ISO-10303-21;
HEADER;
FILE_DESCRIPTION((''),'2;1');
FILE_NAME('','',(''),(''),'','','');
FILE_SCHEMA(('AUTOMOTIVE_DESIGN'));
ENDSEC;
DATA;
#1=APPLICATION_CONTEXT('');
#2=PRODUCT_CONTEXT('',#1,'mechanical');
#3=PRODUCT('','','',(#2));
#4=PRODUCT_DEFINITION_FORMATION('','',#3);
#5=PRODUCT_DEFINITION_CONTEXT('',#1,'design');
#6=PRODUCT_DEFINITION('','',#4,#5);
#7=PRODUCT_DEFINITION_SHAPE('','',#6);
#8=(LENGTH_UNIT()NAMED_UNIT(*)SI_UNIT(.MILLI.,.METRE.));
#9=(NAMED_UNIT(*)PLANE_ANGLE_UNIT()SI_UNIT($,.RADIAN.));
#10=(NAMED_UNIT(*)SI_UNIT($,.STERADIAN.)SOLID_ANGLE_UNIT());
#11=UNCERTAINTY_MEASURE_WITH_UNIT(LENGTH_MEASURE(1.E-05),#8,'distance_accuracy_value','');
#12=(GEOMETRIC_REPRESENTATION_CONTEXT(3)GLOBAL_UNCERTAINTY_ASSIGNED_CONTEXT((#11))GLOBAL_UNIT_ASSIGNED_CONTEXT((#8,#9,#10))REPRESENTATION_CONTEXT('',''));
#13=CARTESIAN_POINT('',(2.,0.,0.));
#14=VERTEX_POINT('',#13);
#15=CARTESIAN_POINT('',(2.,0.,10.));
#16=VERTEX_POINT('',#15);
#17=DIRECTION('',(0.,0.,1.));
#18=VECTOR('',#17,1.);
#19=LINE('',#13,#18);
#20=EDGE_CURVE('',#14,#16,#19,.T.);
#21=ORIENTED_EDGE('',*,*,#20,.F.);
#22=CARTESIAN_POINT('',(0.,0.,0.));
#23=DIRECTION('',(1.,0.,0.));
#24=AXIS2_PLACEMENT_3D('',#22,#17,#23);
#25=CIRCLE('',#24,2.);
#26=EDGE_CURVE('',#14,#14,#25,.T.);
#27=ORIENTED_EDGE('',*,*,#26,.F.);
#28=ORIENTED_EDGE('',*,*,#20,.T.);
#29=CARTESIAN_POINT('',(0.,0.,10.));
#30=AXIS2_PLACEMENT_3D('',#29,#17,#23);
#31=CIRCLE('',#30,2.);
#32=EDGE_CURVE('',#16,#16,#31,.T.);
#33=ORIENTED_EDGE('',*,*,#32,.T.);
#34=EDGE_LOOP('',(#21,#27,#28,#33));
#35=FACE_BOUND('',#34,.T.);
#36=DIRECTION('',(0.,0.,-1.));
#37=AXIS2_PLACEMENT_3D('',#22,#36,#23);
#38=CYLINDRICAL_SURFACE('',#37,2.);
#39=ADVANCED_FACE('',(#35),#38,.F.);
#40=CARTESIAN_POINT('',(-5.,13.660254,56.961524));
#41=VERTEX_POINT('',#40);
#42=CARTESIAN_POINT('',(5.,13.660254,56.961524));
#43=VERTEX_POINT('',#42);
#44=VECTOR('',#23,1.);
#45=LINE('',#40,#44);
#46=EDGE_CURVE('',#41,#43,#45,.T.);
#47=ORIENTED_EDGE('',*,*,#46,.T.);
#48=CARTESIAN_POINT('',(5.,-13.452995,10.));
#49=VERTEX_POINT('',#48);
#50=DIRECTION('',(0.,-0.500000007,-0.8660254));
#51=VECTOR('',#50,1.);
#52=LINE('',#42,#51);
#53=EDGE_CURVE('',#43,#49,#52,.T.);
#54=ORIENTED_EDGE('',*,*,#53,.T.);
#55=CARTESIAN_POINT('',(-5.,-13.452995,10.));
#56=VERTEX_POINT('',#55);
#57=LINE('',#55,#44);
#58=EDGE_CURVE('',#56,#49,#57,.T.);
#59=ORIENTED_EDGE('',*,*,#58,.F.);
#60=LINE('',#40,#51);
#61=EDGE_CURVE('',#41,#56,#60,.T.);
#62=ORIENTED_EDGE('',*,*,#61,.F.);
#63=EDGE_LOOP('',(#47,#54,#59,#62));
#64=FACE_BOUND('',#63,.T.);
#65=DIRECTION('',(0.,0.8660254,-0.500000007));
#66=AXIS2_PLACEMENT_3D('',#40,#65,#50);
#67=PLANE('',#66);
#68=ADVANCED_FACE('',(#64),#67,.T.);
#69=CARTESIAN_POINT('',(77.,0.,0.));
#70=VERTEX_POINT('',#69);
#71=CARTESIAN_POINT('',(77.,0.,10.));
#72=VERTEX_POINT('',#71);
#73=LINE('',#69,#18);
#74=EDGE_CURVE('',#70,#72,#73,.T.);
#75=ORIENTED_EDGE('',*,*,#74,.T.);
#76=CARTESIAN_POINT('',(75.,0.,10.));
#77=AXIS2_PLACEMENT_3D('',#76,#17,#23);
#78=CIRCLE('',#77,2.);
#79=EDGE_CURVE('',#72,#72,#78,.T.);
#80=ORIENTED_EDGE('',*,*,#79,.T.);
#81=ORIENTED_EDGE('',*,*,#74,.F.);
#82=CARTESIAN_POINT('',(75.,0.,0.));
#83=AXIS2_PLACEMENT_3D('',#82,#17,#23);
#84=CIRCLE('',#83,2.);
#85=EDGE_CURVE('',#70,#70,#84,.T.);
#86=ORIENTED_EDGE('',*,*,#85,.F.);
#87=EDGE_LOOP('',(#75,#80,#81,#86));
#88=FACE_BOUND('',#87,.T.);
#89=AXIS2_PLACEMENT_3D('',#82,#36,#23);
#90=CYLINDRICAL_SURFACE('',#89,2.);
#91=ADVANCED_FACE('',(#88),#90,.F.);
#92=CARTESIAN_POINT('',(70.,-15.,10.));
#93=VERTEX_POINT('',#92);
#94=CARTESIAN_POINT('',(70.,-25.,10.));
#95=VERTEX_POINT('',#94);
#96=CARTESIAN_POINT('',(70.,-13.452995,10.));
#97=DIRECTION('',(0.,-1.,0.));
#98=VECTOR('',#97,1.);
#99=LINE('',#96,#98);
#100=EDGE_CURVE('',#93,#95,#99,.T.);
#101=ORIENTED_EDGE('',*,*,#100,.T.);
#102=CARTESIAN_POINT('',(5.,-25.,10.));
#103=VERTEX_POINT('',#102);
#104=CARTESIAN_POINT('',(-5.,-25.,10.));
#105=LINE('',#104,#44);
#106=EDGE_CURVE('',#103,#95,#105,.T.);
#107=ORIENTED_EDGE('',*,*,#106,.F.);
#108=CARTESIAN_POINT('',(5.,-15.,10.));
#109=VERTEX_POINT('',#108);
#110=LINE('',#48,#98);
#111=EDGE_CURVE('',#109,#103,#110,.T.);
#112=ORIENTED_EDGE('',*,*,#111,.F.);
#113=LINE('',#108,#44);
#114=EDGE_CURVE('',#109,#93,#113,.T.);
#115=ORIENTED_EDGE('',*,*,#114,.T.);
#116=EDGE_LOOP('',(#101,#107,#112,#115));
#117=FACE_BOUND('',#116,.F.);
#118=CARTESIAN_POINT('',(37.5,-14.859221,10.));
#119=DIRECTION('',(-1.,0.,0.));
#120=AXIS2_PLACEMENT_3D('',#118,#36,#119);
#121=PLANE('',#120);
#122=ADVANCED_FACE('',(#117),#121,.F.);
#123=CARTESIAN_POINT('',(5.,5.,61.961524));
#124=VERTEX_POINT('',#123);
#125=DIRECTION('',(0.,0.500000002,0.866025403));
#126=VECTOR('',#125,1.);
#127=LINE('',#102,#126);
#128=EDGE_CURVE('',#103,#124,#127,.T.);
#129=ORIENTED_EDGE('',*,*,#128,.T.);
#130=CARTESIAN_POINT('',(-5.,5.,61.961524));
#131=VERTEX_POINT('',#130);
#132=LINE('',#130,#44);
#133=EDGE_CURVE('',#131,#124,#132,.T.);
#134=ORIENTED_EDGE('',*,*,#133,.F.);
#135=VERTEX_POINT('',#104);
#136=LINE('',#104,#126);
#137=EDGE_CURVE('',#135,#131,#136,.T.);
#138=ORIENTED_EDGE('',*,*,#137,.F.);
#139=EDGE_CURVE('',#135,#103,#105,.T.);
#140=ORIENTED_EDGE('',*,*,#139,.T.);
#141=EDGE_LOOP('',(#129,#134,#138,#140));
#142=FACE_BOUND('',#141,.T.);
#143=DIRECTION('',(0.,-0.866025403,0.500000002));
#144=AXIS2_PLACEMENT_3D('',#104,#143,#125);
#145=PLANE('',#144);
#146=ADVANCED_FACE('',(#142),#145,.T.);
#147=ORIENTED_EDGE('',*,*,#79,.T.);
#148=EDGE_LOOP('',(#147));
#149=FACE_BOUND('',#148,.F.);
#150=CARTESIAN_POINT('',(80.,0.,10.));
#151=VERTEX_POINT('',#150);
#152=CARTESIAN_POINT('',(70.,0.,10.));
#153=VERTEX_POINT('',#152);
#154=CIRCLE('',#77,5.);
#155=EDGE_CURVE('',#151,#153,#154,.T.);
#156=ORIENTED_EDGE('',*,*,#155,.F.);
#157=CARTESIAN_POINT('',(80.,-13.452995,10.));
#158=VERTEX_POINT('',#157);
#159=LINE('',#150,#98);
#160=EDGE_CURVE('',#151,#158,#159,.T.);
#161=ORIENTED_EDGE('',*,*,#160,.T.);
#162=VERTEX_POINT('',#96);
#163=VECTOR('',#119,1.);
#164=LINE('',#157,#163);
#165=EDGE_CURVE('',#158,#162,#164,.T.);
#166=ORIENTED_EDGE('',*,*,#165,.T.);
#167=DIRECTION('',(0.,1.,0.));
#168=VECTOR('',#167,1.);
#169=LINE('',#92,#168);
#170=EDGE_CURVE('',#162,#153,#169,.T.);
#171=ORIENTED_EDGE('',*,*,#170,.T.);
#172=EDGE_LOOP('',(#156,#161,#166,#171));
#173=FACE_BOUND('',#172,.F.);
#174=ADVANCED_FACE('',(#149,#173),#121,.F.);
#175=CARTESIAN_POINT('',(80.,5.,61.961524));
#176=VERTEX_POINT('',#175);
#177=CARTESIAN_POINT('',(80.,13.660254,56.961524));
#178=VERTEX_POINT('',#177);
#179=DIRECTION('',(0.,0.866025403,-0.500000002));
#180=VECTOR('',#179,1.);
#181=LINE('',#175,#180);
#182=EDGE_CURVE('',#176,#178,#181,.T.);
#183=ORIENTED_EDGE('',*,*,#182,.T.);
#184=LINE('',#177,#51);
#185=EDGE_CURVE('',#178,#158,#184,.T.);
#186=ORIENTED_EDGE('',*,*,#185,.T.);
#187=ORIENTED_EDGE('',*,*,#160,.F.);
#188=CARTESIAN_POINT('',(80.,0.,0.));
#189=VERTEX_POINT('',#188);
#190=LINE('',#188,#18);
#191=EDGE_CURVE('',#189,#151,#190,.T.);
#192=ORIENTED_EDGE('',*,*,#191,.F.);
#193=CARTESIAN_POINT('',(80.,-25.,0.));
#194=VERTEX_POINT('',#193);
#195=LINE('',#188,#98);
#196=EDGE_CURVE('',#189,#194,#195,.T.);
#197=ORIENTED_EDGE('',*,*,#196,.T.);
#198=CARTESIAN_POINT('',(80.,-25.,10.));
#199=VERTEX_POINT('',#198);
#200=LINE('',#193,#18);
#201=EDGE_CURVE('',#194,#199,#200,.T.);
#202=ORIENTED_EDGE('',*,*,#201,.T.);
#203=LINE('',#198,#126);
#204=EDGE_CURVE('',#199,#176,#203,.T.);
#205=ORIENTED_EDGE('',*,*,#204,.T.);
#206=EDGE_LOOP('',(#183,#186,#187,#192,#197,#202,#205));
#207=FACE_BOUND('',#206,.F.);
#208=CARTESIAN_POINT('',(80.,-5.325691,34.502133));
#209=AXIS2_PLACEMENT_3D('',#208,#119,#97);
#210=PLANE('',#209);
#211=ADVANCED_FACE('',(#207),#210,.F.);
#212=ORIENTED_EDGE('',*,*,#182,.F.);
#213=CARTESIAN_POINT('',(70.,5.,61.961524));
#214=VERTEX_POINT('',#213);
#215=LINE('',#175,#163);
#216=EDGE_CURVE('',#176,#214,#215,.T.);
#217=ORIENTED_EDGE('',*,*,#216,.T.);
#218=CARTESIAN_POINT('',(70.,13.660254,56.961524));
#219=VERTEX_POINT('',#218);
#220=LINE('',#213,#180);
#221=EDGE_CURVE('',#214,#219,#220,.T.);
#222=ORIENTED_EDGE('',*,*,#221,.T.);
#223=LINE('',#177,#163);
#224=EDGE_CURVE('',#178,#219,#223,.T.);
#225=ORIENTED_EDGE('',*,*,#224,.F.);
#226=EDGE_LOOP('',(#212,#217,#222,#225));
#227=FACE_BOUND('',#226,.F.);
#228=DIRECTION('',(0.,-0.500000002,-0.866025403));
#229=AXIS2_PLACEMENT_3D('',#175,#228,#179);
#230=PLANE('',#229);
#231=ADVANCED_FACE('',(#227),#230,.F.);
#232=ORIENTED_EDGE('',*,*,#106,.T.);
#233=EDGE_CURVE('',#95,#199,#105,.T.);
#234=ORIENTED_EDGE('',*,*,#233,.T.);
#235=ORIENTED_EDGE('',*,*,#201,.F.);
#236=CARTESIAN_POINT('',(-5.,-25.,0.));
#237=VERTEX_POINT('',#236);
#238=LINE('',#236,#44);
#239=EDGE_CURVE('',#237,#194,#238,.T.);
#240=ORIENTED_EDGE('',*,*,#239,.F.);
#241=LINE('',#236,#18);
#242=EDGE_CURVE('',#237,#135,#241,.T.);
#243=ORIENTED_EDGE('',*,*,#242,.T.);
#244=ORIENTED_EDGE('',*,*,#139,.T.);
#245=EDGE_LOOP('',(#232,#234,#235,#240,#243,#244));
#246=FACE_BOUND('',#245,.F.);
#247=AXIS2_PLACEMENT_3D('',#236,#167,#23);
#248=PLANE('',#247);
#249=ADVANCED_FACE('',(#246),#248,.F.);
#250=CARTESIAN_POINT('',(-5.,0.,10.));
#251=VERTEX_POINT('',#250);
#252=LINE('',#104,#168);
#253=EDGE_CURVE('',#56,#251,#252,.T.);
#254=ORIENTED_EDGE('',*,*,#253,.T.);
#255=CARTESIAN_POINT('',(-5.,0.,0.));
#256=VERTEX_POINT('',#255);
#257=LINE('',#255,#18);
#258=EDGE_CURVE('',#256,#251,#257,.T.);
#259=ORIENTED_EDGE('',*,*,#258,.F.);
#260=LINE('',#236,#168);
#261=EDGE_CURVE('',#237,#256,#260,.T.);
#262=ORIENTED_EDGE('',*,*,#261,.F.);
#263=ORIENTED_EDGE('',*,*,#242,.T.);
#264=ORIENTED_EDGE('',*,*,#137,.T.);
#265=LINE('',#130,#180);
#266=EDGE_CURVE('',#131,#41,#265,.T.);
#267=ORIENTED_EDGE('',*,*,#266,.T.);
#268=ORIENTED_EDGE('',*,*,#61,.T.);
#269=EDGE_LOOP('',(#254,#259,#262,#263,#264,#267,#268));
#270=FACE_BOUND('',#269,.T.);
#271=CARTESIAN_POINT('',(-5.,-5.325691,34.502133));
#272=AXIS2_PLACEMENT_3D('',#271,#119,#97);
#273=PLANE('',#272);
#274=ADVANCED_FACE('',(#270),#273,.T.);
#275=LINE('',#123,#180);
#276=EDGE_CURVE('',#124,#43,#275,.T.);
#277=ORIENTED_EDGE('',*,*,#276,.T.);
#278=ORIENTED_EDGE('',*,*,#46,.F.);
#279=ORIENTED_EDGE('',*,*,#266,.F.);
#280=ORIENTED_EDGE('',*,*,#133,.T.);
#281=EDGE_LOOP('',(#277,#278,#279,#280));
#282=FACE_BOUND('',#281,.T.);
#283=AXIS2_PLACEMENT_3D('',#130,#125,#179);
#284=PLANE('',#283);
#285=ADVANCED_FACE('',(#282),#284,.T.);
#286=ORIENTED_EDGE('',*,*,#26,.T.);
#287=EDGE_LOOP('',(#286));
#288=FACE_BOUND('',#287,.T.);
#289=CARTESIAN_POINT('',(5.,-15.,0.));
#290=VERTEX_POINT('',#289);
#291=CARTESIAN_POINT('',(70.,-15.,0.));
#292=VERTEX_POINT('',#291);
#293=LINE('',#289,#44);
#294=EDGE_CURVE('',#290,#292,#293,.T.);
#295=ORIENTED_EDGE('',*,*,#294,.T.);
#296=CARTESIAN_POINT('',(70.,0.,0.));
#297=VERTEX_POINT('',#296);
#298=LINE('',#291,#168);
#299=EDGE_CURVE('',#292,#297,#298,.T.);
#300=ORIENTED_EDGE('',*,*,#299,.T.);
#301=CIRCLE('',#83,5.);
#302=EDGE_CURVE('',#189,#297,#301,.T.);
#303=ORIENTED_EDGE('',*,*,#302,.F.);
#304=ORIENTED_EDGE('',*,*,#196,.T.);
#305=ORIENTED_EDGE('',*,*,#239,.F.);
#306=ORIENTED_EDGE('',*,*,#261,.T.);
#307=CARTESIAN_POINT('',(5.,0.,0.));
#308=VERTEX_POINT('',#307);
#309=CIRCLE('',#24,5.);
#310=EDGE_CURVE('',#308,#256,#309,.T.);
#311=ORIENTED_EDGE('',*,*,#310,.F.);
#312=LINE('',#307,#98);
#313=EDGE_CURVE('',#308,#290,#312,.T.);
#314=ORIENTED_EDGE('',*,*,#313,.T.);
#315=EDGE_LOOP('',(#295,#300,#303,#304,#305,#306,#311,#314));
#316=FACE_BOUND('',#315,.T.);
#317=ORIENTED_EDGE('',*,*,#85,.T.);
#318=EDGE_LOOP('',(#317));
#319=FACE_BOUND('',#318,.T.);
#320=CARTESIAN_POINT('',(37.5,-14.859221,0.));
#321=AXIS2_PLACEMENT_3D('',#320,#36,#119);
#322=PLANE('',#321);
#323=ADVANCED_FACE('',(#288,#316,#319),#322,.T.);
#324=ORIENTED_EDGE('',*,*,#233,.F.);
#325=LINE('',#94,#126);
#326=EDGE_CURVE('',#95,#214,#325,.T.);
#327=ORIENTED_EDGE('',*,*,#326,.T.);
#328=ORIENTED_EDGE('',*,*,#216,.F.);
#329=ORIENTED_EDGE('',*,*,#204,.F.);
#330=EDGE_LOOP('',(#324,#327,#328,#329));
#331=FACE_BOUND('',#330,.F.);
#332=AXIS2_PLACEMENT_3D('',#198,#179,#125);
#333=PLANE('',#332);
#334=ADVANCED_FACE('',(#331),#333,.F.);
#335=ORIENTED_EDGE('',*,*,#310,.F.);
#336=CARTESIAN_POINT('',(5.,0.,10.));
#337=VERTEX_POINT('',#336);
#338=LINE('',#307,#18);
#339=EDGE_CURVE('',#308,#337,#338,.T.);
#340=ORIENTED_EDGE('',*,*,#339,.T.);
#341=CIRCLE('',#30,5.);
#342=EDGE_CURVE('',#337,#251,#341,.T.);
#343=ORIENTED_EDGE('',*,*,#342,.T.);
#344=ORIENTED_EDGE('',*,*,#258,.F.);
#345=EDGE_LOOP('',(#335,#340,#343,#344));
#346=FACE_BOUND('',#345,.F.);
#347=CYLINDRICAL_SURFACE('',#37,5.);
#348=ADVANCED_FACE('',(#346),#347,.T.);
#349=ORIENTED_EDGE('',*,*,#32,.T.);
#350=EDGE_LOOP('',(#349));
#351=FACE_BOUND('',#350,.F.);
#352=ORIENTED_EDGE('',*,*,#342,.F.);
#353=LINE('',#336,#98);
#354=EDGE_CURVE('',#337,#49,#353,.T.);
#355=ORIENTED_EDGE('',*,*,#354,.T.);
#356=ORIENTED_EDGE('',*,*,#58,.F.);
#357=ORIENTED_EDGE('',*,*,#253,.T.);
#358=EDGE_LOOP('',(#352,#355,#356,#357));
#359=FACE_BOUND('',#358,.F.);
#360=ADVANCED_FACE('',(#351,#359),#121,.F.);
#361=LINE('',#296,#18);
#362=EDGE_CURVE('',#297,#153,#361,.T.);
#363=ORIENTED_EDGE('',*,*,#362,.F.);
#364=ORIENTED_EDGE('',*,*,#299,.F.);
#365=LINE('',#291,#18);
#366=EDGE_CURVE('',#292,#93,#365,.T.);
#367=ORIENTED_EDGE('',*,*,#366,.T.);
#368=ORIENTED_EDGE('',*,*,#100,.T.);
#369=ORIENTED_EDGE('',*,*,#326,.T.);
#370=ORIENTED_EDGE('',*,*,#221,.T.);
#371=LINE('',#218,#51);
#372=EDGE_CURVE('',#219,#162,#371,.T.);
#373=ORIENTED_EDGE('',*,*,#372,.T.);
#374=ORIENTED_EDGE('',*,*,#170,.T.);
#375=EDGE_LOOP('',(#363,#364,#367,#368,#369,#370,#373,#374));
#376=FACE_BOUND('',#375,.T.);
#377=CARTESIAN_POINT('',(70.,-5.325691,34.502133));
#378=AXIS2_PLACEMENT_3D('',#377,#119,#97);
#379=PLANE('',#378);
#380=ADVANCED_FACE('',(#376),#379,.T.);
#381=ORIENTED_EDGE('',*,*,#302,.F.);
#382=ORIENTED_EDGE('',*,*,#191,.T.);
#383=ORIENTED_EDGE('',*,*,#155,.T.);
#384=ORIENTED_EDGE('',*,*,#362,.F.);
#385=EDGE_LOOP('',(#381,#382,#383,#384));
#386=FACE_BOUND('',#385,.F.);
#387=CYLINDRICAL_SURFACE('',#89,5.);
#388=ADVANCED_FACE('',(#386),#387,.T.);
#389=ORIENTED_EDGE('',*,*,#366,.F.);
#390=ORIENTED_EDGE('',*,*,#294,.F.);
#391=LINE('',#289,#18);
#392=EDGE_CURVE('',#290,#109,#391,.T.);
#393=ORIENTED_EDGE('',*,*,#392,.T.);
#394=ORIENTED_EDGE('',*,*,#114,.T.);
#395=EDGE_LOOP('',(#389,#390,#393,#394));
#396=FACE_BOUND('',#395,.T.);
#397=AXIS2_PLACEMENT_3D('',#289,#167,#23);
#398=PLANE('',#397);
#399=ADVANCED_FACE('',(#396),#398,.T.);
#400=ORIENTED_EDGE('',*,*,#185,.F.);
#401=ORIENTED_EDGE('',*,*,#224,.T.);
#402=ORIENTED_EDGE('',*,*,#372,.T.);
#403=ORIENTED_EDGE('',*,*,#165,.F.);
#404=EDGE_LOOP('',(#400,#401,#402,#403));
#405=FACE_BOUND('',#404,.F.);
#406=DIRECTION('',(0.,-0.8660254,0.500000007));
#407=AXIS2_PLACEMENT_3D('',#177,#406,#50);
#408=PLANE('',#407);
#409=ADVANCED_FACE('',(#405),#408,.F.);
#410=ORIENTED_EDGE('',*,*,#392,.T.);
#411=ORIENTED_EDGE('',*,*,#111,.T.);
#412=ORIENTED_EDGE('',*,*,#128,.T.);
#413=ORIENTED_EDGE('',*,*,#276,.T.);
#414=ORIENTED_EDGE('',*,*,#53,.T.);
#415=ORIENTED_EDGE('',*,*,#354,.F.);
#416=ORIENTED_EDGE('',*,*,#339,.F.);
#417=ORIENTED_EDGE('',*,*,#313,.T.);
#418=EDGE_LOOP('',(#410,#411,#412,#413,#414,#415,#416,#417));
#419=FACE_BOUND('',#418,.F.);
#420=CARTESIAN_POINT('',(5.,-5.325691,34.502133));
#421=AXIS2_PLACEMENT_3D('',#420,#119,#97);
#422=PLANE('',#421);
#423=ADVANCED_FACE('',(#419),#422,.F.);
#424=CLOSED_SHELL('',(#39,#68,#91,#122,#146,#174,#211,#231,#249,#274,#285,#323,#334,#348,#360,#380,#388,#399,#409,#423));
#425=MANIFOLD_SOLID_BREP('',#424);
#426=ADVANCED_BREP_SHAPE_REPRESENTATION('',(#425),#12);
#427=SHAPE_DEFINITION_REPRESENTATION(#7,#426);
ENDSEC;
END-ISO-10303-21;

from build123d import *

# Parameters (mm, degrees)
SKETCH_R     = 2
PAD_DEPTH    = 10
PAD001_DEPTH = 10
PAD002_DEPTH = 10


with BuildPart() as part:
    # Sketch → Pad (new body)
    with BuildSketch(Plane.XY):
        with BuildLine():
            Line((-5, -25), (-5, 0))
            ThreePointArc((5, 0), (0, 5), (-5, 0))
            Line((5, 0), (5, -15))
            Line((5, -15), (70, -15))
            Line((70, -15), (70, 0))
            ThreePointArc((80, 0), (75, 5), (70, 0))
            Line((80, 0), (80, -25))
            Line((-5, -25), (80, -25))
        make_face()
        Circle(SKETCH_R, mode=Mode.SUBTRACT)
        with Locations((75, 0)):
            Circle(SKETCH_R, mode=Mode.SUBTRACT)
    extrude(amount=PAD_DEPTH)

    # Sketch001 (on Face1 of Pad) → Pad001 (join)
    with BuildSketch(Plane(origin=(-5, 0, 0), x_dir=(0, -1, 0), z_dir=(-1, 0, 0))):
        Polygon((25, 10), (-5, 61.961524), (-13.660254, 56.961524), (13.452995, 10), align=None)
    extrude(amount=-PAD001_DEPTH)

    # Sketch002 (on Face7 of Pad) → Pad002 (join)
    with BuildSketch(Plane.YZ.offset(80)):
        Polygon((-25, 10), (5, 61.961524), (13.660254, 56.961524), (-13.452995, 10), align=None)
    extrude(amount=-PAD002_DEPTH)


solid = part.part
